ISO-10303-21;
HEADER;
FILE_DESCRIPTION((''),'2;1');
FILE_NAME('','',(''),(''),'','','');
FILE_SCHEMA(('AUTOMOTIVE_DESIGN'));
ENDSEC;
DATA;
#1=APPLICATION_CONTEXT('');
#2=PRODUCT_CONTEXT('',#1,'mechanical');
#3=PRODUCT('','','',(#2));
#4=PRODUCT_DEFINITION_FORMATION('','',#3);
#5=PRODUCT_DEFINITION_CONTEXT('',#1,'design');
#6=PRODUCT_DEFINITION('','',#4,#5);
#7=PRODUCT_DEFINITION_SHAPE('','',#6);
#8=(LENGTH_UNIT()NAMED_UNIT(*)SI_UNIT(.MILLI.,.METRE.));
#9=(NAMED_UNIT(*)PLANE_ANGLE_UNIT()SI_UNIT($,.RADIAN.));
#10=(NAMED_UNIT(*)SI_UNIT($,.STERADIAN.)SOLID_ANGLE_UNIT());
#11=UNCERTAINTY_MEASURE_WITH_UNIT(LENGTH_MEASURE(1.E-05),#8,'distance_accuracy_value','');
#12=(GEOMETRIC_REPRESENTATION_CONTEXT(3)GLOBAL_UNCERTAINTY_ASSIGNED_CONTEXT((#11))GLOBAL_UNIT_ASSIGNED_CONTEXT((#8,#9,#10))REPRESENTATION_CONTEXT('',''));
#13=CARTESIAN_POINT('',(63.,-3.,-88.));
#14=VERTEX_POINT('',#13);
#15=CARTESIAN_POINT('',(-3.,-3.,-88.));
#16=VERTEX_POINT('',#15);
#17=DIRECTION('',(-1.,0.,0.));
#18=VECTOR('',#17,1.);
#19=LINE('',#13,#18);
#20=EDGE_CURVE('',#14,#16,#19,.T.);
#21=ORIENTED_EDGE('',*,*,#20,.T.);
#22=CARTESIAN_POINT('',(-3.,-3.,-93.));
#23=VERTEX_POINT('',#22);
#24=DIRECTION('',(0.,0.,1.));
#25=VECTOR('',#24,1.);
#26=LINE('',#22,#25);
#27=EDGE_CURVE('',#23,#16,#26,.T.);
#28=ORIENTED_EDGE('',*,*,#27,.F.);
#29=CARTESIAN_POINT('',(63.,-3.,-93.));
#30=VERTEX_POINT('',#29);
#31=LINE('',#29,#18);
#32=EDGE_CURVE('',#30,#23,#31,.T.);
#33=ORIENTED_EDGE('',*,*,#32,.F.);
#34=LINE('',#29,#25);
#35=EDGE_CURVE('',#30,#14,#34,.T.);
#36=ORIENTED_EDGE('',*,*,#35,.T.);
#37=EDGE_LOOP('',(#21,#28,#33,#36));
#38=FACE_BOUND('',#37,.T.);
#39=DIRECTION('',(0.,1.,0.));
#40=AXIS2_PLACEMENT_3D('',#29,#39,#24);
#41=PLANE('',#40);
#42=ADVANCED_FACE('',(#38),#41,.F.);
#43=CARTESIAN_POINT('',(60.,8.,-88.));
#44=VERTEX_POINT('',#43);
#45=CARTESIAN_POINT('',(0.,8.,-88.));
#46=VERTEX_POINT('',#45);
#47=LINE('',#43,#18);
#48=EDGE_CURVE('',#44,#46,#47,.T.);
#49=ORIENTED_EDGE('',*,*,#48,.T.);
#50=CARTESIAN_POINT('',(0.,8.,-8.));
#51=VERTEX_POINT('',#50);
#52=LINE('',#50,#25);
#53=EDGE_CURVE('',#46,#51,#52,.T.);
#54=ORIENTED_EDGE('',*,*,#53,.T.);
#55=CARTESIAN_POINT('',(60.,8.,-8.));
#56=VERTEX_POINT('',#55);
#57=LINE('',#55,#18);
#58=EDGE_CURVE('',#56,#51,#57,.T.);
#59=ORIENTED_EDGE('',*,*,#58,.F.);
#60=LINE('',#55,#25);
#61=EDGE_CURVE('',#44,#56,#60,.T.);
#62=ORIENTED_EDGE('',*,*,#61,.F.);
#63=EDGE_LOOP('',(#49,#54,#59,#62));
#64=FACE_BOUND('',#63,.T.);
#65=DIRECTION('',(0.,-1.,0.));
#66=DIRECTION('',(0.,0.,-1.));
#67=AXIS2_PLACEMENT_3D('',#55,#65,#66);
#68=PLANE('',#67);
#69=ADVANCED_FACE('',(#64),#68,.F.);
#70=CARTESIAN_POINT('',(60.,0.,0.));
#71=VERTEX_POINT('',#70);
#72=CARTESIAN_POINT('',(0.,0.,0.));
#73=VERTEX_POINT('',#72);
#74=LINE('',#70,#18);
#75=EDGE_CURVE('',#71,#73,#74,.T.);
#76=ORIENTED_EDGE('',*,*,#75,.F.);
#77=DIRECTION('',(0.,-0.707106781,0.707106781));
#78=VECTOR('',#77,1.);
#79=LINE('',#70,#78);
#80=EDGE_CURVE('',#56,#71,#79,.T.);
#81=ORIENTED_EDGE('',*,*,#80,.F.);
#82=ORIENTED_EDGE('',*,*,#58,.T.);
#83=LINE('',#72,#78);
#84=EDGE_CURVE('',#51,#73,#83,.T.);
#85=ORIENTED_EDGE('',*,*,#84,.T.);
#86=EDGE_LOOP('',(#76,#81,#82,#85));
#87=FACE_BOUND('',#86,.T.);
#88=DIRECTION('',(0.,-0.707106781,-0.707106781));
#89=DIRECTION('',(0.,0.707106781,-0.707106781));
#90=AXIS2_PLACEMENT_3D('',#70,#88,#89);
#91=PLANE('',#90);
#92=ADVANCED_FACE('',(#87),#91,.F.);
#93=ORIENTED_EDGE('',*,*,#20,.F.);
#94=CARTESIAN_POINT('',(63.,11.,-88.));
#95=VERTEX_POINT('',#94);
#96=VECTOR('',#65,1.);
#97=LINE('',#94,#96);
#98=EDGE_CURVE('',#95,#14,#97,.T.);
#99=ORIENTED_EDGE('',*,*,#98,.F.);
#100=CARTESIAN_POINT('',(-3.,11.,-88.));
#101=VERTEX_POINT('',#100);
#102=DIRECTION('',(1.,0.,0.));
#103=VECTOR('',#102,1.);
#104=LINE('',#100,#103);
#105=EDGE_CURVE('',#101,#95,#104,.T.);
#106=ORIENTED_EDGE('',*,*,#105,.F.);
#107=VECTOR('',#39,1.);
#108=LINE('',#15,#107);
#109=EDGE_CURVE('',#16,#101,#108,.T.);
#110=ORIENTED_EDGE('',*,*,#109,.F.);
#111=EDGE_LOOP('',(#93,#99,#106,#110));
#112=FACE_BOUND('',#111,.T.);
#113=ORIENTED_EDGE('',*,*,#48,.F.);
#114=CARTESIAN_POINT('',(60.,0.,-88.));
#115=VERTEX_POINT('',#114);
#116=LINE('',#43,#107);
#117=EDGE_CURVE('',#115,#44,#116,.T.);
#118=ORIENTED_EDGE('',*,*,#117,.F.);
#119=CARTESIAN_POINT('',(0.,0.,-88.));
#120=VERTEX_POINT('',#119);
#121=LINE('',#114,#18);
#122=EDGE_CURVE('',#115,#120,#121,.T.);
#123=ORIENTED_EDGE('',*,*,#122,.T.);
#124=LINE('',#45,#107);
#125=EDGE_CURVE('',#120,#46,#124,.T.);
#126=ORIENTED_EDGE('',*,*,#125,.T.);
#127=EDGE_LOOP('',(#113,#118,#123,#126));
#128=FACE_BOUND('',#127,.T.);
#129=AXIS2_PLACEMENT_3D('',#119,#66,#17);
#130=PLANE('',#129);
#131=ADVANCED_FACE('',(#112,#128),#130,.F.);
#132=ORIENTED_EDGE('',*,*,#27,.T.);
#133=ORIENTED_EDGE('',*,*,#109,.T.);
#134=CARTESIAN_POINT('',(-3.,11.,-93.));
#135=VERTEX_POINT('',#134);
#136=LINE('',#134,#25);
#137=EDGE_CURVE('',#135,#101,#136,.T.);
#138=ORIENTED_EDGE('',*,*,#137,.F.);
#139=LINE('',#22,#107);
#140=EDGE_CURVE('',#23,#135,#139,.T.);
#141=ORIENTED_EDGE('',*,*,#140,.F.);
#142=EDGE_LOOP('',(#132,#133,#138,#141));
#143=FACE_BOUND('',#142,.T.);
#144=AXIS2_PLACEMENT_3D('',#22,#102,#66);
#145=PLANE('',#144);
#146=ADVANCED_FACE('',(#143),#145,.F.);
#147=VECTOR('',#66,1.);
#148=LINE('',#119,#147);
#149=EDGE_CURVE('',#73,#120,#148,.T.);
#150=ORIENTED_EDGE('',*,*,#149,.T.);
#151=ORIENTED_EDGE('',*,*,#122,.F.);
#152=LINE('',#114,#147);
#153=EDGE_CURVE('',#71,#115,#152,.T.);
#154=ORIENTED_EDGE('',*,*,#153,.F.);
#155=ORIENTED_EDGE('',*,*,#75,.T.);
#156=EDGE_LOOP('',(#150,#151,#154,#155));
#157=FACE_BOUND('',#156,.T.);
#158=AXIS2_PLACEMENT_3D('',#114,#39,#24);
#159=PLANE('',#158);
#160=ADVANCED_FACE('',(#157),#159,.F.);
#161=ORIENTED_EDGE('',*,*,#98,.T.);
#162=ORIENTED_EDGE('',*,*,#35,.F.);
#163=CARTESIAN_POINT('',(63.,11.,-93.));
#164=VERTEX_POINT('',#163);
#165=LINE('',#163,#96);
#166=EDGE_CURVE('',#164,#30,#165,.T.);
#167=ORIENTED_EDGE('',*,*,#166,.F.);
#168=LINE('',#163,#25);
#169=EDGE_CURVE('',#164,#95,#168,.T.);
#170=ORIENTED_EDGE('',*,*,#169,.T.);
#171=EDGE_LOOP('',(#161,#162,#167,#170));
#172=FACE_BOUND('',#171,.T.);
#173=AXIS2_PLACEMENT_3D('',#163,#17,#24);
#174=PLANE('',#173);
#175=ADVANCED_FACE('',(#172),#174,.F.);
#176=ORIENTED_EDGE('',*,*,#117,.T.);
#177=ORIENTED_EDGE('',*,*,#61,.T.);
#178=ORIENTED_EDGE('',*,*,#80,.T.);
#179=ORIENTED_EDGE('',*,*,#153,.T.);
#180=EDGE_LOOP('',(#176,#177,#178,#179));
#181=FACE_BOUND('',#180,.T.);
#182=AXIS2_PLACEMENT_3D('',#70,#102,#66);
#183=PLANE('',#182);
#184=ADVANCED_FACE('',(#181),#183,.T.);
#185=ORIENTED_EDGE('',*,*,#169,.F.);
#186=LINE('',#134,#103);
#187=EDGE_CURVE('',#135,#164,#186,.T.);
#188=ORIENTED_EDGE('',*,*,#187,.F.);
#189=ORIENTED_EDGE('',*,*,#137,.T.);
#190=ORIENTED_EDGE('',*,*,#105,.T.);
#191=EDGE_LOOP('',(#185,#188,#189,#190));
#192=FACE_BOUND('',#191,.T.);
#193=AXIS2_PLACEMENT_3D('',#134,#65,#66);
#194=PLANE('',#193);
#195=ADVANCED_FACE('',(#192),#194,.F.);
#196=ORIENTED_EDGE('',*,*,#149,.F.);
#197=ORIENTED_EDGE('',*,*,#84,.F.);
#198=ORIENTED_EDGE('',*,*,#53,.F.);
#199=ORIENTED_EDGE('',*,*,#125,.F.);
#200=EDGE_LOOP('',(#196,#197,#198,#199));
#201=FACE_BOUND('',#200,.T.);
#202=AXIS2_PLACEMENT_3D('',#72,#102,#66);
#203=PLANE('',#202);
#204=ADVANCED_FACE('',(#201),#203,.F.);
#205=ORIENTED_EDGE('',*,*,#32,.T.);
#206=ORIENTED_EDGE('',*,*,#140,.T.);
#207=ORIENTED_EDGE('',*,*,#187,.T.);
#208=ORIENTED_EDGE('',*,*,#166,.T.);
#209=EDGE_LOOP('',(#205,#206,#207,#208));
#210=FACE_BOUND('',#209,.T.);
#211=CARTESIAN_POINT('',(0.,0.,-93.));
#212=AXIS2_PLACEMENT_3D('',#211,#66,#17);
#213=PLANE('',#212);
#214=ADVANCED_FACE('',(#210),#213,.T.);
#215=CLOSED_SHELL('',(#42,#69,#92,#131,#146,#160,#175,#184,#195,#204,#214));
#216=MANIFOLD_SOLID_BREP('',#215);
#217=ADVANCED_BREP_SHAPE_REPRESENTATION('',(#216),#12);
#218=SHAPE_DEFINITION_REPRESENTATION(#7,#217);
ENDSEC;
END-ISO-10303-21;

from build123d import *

# Parameters (mm, degrees)
BOSS_EXTRUDE1_DEPTH = 60
SKETCH3_W           = 66
SKETCH3_H           = 14
BOSS_EXTRUDE2_DEPTH = 5


with BuildPart() as part:
    # Sketch1 → Boss-Extrude1 (new body)
    with BuildSketch(Plane(origin=(0, 0, 0), x_dir=(0, 0, -1), z_dir=(1, 0, 0))):
        Polygon((0, 0), (8, 8), (88, 8), (88, 0), align=None)
    extrude(amount=BOSS_EXTRUDE1_DEPTH)

    # Sketch3 → Boss-Extrude2 (add)
    with BuildSketch(Plane(origin=(0, 0, -88), x_dir=(-1, 0, 0), z_dir=(0, 0, -1))):
        with Locations((-30, 4)):
            Rectangle(SKETCH3_W, SKETCH3_H)
    extrude(amount=BOSS_EXTRUDE2_DEPTH)


solid = part.part
